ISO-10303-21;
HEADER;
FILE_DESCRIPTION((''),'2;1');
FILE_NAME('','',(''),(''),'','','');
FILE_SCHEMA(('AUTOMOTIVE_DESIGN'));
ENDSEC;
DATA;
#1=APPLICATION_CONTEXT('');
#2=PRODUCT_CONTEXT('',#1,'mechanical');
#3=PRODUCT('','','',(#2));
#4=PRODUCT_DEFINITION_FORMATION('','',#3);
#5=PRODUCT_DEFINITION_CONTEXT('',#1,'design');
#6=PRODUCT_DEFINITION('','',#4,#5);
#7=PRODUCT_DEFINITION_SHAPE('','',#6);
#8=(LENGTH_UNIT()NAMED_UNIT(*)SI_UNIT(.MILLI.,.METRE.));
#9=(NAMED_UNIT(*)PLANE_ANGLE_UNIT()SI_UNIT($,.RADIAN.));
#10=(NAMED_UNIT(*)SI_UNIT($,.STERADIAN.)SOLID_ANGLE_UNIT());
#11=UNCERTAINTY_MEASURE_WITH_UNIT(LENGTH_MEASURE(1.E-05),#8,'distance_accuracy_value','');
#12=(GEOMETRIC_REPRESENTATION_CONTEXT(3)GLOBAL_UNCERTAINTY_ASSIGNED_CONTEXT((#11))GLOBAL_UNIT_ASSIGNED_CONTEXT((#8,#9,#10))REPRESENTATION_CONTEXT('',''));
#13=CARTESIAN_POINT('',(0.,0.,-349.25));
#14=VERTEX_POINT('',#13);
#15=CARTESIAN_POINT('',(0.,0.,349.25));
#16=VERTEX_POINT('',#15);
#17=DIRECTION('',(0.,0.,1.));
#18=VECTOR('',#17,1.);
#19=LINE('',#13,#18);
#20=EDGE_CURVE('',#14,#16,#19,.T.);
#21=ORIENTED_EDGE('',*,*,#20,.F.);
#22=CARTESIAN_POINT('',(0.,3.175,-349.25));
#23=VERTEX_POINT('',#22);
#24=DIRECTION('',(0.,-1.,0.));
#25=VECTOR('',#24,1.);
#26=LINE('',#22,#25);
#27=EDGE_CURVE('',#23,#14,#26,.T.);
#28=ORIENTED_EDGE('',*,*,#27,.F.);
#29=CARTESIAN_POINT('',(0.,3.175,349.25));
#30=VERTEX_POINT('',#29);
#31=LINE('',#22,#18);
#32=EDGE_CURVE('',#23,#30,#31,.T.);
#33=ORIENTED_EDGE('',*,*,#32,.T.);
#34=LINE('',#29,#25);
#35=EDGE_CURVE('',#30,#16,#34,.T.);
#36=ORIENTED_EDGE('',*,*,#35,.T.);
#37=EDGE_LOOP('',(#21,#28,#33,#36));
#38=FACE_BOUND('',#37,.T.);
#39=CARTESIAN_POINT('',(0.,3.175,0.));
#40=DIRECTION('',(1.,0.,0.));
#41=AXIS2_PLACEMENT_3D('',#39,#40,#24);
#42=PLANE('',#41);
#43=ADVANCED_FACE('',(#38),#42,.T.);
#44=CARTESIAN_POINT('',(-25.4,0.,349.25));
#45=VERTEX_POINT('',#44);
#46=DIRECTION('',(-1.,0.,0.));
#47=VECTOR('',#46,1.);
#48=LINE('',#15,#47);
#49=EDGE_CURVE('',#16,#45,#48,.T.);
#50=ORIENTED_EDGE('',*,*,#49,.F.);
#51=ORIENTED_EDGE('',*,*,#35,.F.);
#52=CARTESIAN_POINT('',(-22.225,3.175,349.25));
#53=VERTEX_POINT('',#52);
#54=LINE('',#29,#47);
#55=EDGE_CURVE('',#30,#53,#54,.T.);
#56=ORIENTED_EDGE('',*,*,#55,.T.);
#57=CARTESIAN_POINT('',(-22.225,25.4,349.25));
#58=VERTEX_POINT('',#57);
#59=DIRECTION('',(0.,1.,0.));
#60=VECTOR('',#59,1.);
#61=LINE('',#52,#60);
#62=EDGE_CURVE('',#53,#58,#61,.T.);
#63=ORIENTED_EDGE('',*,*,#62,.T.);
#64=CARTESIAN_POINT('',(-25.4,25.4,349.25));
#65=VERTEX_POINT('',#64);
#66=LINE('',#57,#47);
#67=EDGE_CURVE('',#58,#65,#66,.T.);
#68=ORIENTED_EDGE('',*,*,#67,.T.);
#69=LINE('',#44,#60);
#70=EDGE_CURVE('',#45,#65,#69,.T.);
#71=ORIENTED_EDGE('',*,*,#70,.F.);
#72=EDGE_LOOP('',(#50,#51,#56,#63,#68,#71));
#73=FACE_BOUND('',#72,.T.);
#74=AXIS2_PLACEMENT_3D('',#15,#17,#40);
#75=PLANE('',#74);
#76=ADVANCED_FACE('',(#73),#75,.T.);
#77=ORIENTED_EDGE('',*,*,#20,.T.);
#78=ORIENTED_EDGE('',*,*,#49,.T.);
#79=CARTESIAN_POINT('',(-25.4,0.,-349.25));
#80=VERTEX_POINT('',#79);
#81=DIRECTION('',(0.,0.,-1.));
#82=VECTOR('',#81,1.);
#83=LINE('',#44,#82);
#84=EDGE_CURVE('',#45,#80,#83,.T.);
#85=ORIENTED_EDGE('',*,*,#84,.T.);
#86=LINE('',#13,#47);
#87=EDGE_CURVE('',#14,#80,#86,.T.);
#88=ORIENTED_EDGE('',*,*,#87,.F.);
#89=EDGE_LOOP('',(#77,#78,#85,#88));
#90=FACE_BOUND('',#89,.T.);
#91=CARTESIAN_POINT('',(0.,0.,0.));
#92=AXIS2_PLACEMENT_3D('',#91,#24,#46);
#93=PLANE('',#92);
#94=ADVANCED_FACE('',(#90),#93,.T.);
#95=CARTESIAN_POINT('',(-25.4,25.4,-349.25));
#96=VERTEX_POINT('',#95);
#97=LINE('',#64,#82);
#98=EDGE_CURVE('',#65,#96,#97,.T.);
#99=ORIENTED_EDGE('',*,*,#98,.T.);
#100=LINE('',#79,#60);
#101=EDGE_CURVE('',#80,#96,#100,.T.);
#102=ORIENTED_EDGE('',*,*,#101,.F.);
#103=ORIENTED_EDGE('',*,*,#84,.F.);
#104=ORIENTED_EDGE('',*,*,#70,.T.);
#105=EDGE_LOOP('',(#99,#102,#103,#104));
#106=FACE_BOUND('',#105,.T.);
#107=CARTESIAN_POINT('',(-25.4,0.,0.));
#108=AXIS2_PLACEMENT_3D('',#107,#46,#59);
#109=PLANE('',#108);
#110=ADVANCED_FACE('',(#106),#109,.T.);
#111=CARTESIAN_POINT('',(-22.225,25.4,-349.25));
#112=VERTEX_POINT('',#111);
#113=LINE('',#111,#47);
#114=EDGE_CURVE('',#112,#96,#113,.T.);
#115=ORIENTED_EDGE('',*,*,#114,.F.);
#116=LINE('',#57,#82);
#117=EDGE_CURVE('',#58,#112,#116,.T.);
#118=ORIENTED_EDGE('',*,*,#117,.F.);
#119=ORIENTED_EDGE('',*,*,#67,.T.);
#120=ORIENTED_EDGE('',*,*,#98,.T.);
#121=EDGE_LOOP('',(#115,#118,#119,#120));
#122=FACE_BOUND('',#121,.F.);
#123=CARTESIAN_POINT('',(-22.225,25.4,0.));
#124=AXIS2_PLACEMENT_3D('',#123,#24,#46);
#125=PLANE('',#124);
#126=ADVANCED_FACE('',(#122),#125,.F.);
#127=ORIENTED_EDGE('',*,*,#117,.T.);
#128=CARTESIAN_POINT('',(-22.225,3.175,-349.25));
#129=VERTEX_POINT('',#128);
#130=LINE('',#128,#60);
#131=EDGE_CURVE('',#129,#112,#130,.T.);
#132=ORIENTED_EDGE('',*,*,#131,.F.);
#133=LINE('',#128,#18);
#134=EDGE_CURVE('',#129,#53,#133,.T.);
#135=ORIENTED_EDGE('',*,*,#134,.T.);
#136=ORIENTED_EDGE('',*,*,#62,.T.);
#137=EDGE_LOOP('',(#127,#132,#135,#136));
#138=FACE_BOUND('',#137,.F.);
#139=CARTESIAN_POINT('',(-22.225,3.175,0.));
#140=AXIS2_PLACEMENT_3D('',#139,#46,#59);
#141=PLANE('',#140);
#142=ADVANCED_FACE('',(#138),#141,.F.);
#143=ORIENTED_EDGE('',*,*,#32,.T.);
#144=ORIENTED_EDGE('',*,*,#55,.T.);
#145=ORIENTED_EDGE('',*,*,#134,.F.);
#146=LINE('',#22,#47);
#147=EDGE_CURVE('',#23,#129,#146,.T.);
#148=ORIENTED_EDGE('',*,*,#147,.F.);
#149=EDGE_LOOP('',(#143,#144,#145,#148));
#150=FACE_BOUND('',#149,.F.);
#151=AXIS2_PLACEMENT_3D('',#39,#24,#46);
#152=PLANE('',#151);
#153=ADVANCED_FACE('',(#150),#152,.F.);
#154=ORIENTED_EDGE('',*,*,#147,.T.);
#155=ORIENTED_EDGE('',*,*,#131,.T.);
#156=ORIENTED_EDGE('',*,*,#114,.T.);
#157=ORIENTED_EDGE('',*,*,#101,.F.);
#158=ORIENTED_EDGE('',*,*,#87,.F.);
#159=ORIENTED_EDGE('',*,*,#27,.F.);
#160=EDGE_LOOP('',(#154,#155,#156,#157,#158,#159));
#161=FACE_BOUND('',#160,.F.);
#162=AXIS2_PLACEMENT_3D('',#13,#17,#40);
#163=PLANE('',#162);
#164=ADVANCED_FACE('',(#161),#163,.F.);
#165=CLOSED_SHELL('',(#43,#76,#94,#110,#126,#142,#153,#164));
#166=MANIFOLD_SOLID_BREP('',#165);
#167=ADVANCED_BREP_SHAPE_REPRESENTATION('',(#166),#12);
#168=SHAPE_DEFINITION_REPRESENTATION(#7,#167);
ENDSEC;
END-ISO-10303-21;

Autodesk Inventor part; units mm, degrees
ref_plane "YZ Plane" through (0, 0, 0) normal (1, 0, 0) x (0, 1, 0)
ref_plane "XZ Plane" through (0, 0, 0) normal (0, 1, 0) x (-1, 0, 0)
ref_plane "XY Plane" through (0, 0, 0) normal (0, 0, 1) x (1, 0, 0)
sketch "Sketch1" plane through (0, 0, 0) normal (0, 0, 1) x (1, 0, 0)
  line L0 (0, 0) -> (-25.4, 0)
  line L1 (-25.4, 0) -> (-25.4, 25.4)
  line L2 (0, 3.175) -> (-22.225, 3.175)
  line L3 (-22.225, 3.175) -> (-22.225, 25.4)
  line L4 (-22.225, 25.4) -> (-25.4, 25.4)
  line L5 (0, 3.175) -> (0, 0)
  dimension "d0" = 25.4
  dimension "d1" = 25.4
  dimension "d2" = 3.175
extrude "Extrusion1" add sketch "Sketch1" along normal mid plane 698.5
properties part number "27.5 Top L"
